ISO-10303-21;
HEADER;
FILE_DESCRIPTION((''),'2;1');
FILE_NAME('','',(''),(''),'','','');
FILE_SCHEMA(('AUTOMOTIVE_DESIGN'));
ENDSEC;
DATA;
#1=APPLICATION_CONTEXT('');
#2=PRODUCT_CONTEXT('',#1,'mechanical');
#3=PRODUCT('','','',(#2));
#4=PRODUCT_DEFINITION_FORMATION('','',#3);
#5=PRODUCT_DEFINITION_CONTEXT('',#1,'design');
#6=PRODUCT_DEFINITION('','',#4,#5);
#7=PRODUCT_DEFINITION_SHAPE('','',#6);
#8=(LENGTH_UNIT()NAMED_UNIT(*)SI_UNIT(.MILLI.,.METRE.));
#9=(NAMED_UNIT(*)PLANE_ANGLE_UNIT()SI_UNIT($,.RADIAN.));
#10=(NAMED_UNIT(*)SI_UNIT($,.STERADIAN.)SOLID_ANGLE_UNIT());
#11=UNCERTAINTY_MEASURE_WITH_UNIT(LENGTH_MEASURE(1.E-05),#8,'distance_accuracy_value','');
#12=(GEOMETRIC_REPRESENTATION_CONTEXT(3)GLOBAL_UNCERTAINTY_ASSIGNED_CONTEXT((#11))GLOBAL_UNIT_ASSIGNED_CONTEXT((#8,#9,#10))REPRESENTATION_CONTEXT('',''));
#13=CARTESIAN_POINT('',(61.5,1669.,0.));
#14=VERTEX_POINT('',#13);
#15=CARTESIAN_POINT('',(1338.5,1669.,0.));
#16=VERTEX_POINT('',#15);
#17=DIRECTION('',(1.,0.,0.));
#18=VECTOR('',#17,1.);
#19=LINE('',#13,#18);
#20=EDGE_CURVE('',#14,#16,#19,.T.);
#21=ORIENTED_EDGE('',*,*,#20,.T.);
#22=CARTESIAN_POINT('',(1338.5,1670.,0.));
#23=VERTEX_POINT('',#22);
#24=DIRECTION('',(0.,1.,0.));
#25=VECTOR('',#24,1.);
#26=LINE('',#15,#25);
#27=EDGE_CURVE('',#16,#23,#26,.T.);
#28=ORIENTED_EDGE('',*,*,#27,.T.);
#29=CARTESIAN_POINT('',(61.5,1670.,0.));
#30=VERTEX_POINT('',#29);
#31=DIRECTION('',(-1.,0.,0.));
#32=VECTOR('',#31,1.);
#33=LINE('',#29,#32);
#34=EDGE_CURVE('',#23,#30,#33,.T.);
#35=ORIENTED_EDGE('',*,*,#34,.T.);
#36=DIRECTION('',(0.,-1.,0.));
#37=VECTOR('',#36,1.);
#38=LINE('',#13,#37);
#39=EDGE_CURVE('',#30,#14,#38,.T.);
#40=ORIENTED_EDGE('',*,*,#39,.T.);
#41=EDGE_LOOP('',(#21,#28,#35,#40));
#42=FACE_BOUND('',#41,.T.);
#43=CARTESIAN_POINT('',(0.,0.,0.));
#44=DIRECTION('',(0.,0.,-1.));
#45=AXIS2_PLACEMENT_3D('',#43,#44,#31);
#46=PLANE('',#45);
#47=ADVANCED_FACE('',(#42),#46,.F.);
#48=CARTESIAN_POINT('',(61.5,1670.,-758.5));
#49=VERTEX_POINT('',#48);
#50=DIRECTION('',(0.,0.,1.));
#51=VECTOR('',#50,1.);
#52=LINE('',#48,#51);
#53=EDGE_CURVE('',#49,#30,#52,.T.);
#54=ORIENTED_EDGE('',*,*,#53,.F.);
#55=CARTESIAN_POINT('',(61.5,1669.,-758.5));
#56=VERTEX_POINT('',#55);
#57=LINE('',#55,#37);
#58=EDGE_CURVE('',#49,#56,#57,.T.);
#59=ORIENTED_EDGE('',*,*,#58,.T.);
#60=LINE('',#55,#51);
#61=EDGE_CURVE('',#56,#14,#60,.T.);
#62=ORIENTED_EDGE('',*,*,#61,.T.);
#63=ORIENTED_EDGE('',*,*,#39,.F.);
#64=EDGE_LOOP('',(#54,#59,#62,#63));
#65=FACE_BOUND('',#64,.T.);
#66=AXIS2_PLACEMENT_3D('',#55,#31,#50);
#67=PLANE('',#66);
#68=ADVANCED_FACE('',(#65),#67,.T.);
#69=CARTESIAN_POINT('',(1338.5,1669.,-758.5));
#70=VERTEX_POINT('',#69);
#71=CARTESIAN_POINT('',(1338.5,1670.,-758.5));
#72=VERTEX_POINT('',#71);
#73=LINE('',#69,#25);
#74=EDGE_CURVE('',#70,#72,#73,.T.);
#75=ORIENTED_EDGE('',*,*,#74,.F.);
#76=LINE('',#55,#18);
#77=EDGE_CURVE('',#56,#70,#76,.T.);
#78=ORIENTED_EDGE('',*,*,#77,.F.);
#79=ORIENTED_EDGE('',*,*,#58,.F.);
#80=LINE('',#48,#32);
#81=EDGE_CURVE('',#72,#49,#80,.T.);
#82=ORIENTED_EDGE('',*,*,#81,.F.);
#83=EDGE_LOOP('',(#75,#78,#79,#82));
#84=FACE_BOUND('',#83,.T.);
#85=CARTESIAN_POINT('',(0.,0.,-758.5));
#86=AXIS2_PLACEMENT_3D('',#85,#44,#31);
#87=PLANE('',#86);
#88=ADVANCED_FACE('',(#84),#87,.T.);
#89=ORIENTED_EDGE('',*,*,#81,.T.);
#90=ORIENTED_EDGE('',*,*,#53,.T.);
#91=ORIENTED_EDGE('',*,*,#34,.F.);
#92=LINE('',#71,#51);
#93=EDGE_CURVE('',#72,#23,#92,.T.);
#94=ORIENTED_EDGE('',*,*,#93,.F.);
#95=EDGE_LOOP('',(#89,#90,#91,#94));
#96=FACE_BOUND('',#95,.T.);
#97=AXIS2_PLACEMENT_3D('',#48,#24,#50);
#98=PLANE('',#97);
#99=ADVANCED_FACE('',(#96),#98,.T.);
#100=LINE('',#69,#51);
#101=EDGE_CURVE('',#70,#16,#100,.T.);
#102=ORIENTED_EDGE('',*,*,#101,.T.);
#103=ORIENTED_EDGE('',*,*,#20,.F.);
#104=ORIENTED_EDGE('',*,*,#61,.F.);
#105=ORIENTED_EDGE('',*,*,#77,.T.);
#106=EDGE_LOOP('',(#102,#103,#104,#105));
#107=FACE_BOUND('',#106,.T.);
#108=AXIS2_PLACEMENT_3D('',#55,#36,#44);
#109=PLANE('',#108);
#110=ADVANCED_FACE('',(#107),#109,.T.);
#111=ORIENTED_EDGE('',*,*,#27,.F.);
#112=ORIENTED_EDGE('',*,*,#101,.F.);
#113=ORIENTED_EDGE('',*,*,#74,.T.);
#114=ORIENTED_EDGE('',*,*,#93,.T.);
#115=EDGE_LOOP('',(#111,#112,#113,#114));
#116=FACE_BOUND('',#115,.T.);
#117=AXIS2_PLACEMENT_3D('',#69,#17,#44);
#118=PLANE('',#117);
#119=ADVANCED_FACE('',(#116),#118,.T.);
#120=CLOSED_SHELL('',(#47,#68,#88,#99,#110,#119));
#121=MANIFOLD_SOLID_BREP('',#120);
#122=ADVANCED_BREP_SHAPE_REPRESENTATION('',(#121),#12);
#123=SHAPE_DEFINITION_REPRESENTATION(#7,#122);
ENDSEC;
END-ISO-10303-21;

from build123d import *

# Parameters (mm, degrees)
SKETCH1_W                  = 1277
SKETCH1_H                  = 1
STORE_TEKNIK_TABAN_1_DEPTH = 758.5


with BuildPart() as part:
    # Sketch1 → STORE_teknik_taban_1 (new body)
    with BuildSketch(Plane.XY):
        with Locations((700, 1669.5)):
            Rectangle(SKETCH1_W, SKETCH1_H)
    extrude(amount=-STORE_TEKNIK_TABAN_1_DEPTH)


solid = part.part
